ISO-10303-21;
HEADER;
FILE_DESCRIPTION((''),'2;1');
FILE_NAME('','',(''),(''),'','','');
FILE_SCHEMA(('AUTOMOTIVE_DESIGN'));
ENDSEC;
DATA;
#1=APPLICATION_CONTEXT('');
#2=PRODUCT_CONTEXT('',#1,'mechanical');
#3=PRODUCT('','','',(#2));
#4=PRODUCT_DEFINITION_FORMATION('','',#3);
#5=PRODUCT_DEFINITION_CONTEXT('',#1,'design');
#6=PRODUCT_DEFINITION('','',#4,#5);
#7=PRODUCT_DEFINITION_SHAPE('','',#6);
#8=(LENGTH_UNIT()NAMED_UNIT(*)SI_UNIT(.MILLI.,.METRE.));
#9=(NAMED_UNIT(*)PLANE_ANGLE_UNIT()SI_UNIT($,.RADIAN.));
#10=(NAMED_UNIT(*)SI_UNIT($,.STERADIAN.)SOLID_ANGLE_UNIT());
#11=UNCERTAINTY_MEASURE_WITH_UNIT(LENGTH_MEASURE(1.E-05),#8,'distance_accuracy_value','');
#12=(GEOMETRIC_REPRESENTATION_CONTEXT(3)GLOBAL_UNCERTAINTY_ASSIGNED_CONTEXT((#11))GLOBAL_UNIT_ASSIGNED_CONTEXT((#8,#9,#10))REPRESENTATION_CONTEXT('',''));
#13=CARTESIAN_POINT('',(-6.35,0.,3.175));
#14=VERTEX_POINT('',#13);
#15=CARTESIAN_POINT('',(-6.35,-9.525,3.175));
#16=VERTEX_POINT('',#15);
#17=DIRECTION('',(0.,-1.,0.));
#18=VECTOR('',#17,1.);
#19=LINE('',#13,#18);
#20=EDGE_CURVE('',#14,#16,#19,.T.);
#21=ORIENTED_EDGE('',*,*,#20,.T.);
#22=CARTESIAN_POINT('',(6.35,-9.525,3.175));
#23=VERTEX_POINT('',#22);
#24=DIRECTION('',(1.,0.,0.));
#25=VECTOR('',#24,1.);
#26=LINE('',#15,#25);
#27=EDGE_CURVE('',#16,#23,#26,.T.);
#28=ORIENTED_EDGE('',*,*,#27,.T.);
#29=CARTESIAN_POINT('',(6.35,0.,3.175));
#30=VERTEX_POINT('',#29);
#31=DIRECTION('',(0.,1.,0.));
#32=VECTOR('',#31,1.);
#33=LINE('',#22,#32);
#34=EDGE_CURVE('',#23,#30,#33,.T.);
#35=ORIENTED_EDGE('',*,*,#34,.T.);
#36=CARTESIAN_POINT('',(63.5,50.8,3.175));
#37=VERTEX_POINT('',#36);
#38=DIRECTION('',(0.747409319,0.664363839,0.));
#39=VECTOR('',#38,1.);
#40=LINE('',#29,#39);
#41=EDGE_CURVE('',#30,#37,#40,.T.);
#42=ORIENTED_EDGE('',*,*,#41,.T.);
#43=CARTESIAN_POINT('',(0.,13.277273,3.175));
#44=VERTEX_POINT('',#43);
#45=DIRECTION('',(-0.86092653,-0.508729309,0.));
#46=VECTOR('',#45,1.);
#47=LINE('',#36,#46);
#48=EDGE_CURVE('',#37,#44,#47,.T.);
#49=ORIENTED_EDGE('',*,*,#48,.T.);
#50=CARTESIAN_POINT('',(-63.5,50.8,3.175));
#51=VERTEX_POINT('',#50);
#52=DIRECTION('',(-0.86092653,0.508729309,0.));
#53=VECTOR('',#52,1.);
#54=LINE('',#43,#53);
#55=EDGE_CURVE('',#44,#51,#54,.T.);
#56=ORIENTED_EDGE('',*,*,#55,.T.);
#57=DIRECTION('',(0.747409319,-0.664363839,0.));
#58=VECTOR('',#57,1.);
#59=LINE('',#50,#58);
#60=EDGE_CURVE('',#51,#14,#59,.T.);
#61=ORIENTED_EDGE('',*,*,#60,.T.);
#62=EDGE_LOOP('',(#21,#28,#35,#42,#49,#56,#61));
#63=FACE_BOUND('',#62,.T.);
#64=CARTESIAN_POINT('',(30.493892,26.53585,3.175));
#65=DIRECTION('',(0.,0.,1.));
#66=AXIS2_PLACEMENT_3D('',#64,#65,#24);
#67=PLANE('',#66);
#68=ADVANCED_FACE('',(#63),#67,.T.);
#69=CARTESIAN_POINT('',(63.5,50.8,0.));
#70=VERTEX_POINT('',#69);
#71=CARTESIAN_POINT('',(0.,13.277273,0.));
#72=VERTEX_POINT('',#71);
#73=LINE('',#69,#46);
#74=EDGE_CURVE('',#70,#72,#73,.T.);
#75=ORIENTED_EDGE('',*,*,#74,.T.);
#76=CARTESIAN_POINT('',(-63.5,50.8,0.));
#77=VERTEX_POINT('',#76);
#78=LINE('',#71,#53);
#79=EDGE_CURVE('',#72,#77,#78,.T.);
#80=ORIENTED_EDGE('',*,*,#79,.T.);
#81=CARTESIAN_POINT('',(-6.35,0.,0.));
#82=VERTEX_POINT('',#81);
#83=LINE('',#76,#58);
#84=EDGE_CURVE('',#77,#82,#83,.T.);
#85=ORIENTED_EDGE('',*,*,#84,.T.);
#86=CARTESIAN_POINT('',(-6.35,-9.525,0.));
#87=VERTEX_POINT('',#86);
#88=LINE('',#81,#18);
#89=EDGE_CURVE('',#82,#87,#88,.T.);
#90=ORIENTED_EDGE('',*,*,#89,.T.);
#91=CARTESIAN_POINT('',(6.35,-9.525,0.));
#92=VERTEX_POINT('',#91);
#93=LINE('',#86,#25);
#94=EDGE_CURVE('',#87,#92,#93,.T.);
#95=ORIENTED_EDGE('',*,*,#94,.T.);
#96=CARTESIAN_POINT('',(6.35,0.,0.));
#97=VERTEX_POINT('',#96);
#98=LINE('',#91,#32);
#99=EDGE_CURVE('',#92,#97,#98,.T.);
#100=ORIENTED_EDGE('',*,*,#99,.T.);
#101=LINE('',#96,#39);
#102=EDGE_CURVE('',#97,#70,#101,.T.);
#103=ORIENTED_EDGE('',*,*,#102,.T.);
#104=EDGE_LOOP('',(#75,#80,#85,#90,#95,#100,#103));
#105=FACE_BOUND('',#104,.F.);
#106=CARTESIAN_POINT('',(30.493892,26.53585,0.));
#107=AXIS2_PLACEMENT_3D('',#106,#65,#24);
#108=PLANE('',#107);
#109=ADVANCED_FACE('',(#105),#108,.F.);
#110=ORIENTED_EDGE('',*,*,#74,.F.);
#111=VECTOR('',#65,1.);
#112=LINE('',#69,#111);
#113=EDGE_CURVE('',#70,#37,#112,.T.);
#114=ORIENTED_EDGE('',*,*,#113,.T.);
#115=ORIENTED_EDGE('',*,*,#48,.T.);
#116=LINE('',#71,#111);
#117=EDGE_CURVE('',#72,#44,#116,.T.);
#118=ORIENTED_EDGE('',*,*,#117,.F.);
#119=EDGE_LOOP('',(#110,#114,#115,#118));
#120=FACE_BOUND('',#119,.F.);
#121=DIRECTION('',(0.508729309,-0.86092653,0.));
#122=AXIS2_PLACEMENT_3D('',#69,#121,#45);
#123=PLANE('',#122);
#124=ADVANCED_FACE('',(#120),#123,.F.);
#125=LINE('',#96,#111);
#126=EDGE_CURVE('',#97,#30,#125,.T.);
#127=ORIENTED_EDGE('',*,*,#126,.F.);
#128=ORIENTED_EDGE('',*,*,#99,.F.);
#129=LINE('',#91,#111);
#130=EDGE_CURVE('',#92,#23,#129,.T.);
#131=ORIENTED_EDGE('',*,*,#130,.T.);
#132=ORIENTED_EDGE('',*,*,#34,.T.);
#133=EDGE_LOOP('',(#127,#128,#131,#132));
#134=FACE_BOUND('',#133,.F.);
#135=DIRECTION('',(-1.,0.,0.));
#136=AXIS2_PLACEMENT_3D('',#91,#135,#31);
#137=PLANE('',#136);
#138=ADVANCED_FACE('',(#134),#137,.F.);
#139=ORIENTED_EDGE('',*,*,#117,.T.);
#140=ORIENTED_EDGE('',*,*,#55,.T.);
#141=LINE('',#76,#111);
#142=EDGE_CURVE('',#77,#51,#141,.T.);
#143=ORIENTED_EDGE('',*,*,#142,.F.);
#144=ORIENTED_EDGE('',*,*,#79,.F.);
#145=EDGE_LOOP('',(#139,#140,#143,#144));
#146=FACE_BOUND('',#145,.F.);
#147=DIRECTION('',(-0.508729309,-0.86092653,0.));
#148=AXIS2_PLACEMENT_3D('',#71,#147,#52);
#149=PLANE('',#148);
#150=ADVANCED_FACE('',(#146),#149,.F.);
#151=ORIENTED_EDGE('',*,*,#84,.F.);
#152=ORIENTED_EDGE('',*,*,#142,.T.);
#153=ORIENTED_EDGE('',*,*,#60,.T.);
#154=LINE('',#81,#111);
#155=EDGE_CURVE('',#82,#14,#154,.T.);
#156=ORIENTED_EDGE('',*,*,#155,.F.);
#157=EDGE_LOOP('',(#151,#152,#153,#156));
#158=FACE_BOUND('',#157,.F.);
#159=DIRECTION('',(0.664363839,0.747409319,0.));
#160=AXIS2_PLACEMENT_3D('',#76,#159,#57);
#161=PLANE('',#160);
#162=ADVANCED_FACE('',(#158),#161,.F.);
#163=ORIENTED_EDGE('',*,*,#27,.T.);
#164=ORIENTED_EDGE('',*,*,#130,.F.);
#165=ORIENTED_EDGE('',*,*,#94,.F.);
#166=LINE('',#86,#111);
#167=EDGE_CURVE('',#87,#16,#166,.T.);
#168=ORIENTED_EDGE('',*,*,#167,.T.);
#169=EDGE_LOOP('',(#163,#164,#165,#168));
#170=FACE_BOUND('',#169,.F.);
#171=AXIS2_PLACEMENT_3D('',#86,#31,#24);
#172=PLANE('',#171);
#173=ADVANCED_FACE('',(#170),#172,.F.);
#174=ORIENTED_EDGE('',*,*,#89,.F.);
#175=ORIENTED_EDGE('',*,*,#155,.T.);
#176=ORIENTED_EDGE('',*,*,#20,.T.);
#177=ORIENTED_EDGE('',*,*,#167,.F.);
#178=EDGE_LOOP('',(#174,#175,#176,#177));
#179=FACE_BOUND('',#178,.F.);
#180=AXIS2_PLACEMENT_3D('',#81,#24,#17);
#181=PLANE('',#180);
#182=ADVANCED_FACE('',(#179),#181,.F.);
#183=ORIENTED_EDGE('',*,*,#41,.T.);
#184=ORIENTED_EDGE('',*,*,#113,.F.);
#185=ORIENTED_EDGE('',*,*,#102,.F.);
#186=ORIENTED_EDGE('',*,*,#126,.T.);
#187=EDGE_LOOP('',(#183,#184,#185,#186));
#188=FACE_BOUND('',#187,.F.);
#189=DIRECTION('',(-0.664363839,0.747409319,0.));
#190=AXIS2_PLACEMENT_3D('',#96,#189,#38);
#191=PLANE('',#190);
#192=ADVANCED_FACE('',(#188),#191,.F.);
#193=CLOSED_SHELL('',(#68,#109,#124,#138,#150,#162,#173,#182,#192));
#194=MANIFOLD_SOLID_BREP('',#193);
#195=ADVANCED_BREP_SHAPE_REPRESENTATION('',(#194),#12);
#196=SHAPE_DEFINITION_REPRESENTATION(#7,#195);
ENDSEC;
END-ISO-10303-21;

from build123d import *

# Parameters (mm, degrees)
F0_W     = 6.35
F0_H     = 9.525
F1_DEPTH = 3.175


with BuildPart() as f1:
    # F0 (on Top) → F1 (new body)
    with BuildSketch(Plane.XY):
        Polygon((6.35, 9.525), (6.35, 0), (63.5, 50.8), (0, 13.277273), align=None)
        Polygon((-63.5, 50.8), (-6.35, 0), (-6.35, 9.525), (0, 13.277273), align=None)
        Polygon((0, 13.277273), (-6.35, 9.525), (0, 9.525), align=None)
        Polygon((0, 9.525), (6.35, 9.525), (0, 13.277273), align=None)
        with Locations((-3.175, 4.7625)):
            Rectangle(F0_W, F0_H)
        with Locations((3.175, 4.7625)):
            Rectangle(F0_W, F0_H)
        Polygon((-6.35, -9.525), (6.35, -9.525), (6.35, 0), (0, 0), (-6.35, 0), align=None)
    extrude(amount=F1_DEPTH)


solid = f1.part
